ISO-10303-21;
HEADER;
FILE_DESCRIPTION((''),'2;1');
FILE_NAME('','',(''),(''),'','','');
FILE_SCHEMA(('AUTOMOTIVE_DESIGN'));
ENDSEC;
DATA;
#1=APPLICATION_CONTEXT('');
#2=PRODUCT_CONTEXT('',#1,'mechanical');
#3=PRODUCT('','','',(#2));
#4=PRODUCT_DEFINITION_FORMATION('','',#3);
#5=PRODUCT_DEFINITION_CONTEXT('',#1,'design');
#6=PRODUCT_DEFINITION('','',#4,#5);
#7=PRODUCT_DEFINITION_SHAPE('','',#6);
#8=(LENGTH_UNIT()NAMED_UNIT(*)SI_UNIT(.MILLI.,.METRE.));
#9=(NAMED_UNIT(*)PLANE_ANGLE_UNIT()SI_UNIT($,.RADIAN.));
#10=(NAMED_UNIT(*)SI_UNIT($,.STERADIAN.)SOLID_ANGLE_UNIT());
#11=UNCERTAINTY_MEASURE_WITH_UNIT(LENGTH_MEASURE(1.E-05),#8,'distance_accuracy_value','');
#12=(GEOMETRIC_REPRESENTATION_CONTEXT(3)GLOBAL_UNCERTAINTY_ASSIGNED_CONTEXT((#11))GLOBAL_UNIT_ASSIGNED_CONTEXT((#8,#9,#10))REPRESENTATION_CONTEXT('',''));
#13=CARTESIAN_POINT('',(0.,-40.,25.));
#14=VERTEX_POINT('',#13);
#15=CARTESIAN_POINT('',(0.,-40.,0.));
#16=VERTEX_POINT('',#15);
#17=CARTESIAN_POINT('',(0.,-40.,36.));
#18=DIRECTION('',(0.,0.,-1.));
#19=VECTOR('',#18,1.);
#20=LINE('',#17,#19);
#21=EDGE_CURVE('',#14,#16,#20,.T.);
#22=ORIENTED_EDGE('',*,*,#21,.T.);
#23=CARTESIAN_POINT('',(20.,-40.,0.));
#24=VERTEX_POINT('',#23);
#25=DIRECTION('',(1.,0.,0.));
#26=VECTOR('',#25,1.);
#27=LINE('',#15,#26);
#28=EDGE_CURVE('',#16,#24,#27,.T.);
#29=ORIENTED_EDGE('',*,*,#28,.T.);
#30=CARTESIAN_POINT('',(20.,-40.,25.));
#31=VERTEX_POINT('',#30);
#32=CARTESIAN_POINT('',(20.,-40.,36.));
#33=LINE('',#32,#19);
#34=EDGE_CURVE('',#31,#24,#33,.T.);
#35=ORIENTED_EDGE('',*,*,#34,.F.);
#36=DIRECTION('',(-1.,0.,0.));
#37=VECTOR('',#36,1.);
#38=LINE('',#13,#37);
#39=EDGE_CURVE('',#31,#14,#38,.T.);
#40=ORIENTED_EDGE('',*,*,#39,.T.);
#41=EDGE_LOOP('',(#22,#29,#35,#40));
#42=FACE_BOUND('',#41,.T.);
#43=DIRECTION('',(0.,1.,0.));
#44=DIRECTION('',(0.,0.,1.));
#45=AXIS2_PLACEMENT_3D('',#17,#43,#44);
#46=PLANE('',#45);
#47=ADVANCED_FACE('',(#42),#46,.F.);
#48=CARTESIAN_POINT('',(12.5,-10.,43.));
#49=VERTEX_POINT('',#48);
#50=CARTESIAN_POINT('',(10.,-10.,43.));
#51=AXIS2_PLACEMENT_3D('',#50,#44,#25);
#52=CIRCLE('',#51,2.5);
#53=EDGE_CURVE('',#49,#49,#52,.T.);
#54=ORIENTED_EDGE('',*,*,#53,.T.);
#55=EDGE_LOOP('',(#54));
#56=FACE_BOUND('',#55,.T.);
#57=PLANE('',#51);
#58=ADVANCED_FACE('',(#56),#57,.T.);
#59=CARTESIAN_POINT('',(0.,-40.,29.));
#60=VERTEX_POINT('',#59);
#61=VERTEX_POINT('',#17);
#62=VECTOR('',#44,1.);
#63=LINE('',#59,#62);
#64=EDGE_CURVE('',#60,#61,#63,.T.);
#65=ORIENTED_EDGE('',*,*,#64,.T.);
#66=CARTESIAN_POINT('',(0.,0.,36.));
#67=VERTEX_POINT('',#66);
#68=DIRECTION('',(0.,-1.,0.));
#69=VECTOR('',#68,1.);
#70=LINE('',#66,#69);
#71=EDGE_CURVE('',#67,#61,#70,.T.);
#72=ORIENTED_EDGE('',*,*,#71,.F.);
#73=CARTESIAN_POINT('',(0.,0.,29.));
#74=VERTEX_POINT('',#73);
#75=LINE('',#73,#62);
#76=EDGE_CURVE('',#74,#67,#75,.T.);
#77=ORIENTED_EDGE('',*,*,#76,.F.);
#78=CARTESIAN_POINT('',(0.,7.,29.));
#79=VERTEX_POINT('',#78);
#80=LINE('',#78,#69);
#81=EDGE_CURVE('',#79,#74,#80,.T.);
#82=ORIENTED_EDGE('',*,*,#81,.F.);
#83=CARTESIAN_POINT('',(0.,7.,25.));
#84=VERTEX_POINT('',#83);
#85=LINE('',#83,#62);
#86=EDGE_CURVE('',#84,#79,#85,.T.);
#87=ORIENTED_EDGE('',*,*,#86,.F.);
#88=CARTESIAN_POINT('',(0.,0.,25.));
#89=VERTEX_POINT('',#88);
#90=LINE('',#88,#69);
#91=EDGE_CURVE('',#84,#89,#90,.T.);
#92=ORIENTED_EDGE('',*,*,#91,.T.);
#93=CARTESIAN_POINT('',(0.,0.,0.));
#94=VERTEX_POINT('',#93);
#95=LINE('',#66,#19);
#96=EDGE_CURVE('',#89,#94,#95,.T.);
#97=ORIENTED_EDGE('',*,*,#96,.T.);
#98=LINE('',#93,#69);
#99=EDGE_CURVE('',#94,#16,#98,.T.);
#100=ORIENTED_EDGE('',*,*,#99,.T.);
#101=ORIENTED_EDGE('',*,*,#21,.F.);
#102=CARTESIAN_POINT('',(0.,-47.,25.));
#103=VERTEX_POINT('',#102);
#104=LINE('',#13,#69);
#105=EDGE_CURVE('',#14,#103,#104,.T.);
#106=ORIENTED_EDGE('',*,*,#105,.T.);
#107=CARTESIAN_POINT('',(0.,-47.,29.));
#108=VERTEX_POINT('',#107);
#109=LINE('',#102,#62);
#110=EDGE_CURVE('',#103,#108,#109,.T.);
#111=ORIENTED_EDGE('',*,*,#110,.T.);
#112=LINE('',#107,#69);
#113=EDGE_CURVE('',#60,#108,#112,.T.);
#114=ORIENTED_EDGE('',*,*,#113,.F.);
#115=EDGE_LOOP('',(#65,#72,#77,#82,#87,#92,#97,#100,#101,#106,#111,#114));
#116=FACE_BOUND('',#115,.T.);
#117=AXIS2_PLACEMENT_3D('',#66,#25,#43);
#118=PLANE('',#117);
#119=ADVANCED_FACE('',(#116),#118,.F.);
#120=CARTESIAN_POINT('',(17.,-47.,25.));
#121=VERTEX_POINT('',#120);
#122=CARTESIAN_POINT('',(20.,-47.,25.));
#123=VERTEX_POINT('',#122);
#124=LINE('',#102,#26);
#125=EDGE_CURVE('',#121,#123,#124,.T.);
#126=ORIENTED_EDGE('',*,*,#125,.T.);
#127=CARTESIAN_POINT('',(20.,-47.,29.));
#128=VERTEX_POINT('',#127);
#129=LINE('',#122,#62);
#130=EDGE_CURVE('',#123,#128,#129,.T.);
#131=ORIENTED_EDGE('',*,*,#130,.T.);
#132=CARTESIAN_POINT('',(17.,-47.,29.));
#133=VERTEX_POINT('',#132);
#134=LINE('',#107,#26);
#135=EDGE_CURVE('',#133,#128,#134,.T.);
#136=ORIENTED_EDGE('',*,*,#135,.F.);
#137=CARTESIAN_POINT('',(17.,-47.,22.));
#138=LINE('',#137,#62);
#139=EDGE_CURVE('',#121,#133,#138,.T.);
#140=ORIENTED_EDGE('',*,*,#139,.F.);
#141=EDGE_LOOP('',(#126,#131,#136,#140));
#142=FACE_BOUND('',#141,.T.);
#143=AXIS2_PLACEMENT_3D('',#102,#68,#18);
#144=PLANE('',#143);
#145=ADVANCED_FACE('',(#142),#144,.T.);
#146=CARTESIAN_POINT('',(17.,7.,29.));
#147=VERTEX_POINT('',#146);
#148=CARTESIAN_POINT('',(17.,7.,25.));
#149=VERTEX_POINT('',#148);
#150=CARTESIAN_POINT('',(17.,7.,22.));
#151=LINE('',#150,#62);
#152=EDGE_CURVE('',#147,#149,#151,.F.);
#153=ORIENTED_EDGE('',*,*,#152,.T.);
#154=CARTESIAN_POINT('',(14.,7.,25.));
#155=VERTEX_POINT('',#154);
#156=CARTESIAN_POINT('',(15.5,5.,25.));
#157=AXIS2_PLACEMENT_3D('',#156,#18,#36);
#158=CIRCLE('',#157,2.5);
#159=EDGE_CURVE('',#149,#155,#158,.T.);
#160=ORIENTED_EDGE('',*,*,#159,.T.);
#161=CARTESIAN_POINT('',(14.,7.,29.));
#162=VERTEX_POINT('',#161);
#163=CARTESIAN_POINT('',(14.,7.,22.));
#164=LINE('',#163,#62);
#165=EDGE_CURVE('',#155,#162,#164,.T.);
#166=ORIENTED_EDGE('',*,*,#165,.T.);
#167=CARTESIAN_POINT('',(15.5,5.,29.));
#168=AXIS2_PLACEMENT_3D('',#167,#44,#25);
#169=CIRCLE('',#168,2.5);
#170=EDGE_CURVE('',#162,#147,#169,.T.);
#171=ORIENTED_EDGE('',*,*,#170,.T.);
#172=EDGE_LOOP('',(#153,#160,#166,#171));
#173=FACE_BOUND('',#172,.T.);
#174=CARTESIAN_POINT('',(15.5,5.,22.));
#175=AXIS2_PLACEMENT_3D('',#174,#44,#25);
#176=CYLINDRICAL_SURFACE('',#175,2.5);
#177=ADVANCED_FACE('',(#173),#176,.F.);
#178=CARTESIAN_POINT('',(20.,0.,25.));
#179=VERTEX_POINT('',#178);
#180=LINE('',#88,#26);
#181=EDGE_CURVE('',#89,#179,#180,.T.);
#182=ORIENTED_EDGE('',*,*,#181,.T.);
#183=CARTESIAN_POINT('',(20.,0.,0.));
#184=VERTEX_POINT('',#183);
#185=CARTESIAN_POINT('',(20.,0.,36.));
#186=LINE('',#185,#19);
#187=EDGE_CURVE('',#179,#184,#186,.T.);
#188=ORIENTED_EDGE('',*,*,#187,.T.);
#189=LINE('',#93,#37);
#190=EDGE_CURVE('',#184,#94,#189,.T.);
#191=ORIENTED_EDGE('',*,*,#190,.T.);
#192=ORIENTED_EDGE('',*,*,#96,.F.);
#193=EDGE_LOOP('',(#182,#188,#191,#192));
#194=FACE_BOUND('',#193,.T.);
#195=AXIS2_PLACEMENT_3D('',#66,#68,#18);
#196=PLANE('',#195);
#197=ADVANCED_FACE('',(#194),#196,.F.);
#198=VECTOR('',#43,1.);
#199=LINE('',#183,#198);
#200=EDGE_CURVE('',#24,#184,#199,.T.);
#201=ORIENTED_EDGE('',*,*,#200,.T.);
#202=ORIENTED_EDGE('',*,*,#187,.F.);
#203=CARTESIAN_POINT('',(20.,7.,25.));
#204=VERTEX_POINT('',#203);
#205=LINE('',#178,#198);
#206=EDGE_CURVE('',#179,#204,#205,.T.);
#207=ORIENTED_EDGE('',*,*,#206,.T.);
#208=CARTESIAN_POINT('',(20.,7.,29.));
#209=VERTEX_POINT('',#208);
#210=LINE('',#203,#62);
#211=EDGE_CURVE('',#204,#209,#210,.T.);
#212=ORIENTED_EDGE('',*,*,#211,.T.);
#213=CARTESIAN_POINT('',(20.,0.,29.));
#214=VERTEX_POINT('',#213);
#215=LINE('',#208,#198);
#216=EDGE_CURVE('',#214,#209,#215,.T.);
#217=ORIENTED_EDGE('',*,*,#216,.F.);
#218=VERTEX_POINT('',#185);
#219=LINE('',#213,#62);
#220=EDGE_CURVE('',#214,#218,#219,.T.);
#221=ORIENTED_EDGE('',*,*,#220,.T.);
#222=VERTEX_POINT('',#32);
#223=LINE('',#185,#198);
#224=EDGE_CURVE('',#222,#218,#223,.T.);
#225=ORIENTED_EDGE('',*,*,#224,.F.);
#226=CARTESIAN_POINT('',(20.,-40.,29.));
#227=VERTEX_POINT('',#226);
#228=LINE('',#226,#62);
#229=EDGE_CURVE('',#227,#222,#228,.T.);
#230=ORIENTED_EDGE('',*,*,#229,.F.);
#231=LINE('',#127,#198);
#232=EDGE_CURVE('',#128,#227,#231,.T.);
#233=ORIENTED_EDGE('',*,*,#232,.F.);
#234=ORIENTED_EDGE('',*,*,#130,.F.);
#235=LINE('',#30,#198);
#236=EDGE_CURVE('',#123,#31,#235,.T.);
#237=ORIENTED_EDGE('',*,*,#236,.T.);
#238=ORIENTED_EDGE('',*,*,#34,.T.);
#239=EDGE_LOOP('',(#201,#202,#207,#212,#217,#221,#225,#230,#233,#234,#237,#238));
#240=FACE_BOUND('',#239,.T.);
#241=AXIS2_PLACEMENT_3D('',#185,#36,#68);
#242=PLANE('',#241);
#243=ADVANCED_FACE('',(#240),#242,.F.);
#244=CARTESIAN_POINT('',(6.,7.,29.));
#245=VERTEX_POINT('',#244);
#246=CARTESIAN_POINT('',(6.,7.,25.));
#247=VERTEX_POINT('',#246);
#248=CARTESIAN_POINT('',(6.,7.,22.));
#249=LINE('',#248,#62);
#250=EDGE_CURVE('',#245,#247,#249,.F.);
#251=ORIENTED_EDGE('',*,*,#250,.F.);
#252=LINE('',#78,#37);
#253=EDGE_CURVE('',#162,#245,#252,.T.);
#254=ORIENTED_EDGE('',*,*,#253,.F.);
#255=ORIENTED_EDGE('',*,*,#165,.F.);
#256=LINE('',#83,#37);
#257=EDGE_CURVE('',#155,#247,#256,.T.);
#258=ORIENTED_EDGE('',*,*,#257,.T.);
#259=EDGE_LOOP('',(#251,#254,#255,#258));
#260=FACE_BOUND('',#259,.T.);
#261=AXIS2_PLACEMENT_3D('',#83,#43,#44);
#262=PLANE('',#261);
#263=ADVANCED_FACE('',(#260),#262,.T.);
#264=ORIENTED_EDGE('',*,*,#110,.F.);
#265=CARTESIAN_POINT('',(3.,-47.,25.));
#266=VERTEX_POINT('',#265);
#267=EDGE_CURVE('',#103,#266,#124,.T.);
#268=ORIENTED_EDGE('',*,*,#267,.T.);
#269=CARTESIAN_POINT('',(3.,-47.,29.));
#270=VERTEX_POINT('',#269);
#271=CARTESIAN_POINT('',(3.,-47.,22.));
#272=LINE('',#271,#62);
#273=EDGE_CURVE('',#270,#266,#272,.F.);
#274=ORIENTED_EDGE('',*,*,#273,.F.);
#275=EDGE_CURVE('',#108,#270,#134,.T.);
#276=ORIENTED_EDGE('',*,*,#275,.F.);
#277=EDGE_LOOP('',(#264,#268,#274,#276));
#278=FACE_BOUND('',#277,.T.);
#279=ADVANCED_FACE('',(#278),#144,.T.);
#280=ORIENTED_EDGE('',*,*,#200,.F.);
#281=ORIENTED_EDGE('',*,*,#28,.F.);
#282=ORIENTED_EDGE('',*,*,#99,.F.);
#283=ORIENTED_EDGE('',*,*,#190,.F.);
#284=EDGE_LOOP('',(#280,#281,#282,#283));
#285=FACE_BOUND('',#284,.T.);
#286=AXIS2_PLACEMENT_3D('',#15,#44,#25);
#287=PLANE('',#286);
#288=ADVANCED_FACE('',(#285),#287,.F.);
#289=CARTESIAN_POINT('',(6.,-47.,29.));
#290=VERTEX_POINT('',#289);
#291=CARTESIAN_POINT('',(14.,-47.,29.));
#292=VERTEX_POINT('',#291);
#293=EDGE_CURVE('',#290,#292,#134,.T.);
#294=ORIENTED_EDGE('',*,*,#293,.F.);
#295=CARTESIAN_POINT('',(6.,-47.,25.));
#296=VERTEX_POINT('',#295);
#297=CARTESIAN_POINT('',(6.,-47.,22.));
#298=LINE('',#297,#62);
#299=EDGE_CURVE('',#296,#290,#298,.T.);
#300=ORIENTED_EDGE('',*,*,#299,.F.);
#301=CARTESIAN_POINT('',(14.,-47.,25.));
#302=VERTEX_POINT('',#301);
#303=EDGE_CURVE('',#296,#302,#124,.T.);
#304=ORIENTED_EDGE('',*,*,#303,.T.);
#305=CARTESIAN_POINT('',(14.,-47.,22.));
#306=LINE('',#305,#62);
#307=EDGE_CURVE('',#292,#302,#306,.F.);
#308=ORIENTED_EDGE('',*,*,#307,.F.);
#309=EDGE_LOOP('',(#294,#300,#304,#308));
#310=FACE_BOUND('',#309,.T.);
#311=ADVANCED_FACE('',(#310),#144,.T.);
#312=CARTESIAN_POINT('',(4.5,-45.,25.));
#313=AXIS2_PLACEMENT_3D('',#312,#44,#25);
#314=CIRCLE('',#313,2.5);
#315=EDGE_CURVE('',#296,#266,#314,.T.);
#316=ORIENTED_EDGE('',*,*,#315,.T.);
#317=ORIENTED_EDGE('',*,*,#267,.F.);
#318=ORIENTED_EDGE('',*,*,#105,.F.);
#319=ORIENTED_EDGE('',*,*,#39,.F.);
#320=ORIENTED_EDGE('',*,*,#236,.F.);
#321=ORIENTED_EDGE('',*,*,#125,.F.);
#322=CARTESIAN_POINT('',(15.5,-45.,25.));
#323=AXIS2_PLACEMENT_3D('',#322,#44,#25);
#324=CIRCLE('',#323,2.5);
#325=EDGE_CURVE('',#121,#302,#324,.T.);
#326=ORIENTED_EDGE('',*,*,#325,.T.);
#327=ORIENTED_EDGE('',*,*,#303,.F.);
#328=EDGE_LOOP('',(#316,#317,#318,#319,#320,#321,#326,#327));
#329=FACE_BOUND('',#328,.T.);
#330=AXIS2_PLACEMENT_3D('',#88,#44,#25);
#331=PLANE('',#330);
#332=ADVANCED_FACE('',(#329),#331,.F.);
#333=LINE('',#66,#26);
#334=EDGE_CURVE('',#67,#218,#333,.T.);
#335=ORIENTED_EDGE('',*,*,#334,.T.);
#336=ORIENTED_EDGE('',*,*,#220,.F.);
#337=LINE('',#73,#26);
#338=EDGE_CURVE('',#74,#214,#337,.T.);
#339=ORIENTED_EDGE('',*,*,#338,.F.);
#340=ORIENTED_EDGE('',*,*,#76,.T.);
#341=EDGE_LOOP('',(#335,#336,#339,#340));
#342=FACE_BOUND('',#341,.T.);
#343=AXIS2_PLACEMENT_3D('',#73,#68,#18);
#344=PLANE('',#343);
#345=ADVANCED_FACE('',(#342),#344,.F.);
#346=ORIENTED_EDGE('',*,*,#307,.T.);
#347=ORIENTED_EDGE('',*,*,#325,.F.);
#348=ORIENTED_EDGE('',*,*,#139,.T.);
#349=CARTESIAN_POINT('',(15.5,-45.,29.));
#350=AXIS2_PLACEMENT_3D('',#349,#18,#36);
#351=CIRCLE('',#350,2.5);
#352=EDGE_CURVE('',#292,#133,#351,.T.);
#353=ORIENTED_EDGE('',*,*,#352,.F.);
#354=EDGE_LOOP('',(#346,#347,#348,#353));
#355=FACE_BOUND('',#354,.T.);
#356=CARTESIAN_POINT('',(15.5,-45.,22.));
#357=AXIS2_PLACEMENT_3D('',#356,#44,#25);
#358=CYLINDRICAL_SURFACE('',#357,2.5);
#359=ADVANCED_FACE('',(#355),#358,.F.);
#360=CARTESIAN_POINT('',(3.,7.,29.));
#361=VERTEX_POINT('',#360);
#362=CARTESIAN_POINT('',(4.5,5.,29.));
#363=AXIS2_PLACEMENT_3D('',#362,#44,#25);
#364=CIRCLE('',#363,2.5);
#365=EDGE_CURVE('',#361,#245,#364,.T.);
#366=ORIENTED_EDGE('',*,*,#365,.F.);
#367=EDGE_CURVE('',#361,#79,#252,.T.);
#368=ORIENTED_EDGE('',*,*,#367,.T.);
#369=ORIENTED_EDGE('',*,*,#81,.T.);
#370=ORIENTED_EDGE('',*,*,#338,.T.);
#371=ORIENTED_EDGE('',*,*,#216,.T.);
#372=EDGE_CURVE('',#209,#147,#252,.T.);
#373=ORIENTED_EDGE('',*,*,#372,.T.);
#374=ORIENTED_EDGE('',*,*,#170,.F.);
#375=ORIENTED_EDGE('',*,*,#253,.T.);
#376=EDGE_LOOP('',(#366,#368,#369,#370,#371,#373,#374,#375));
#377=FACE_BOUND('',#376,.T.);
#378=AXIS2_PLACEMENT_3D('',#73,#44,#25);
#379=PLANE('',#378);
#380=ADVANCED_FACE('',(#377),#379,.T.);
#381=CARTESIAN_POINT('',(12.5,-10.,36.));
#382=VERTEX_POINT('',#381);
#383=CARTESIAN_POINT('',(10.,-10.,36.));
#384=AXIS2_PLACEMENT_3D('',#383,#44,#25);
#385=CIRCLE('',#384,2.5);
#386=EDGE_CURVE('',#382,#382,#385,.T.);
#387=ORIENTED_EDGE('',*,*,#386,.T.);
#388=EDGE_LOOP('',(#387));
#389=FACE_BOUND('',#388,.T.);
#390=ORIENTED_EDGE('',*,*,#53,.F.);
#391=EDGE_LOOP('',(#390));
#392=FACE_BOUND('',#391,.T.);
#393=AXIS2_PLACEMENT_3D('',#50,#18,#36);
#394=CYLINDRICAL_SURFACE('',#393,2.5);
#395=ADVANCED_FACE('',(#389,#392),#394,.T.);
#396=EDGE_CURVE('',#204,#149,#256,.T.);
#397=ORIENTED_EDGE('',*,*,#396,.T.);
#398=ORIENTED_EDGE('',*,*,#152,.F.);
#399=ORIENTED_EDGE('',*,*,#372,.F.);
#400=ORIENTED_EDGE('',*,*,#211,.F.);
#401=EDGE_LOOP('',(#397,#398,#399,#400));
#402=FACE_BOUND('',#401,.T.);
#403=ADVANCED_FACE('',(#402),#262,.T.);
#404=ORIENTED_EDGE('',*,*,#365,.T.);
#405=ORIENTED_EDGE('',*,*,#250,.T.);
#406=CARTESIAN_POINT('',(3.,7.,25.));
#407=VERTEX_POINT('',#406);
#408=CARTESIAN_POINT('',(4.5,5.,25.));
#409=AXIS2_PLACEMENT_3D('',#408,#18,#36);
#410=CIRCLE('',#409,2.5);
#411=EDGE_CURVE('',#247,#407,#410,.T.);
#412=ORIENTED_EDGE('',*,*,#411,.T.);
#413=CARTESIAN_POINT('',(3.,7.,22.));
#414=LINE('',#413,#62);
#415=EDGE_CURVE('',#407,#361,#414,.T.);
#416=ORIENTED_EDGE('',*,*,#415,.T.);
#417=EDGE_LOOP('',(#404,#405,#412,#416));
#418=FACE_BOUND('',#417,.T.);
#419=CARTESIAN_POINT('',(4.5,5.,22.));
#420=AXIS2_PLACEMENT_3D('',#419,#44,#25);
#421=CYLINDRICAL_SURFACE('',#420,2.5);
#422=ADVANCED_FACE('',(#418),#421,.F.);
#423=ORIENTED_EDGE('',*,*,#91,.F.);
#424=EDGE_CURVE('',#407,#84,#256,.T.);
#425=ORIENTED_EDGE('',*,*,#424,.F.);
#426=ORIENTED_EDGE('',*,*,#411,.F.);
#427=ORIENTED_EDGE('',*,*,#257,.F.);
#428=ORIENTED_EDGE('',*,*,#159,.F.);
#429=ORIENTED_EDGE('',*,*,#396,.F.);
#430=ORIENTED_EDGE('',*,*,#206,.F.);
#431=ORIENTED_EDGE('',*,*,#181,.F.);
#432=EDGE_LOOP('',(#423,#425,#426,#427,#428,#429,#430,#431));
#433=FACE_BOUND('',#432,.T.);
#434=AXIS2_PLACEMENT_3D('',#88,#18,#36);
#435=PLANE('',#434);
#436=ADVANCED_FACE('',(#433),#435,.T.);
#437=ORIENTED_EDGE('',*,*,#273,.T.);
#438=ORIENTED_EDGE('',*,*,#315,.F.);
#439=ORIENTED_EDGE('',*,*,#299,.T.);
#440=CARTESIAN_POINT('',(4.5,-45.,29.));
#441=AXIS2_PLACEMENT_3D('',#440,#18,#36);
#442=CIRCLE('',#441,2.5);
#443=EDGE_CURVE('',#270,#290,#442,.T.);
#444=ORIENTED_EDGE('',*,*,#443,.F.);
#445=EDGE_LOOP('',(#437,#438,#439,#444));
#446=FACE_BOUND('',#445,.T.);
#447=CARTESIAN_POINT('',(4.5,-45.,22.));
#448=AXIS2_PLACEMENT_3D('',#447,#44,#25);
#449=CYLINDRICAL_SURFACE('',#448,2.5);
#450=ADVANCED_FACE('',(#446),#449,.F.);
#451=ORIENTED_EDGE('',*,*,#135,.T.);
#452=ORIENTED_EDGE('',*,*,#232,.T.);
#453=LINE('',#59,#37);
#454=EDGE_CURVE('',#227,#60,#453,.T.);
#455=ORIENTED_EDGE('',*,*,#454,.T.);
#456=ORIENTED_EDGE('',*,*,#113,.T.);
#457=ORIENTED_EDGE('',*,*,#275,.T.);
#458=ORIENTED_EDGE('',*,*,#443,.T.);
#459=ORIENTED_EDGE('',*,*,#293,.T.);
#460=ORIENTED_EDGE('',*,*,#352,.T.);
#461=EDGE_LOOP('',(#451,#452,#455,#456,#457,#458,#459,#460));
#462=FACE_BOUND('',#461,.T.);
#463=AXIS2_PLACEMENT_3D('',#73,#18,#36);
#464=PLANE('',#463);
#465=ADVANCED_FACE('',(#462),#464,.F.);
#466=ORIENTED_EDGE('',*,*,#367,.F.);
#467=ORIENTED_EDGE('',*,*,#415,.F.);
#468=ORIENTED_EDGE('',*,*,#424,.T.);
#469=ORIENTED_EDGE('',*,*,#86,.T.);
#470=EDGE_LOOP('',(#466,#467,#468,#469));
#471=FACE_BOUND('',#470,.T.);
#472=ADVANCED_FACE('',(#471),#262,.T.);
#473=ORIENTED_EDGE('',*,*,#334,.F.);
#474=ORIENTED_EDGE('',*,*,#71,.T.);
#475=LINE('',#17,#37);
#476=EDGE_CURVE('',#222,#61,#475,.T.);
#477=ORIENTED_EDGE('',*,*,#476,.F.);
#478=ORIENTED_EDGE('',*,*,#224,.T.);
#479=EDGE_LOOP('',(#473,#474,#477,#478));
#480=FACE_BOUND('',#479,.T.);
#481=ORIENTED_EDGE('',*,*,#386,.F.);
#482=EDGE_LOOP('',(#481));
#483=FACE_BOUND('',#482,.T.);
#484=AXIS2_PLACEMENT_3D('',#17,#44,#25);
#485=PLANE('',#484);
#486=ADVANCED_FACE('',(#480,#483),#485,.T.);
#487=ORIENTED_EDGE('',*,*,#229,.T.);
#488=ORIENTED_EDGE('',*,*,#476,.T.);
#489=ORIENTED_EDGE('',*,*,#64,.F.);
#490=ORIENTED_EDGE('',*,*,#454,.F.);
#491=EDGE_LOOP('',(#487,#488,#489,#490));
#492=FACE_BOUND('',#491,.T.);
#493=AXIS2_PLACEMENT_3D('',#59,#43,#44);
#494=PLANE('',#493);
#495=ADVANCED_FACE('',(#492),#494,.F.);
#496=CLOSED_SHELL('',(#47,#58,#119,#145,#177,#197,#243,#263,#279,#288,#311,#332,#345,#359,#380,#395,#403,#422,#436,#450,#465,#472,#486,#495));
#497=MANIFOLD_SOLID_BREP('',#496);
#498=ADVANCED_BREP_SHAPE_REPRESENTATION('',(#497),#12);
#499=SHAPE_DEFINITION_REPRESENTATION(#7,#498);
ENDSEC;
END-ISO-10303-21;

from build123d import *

# Parameters (mm, degrees)
ESQUISSE1_W             = 20
ESQUISSE1_H             = 40
BOSS_EXTRU_1_DEPTH      = 36
ESQUISSE2_W             = 20
ESQUISSE2_H             = 7
BOSS_EXTRU_2_DEPTH      = 11
ESQUISSE3_W             = 20
ESQUISSE3_H             = 7
ENL_V_MAT_EXTRU_1_DEPTH = 7
ESQUISSE4_R             = 2.5
BOSS_EXTRU_3_DEPTH      = 7
ESQUISSE5_R             = 2.5
ENL_V_MAT_EXTRU_2_DEPTH = 7
ESQUISSE6_R             = 2.5
ENL_V_MAT_EXTRU_3_DEPTH = 7


with BuildPart() as part:
    # Esquisse1 → Boss.-Extru.1 (new body)
    with BuildSketch(Plane.XY):
        with Locations((10, -20)):
            Rectangle(ESQUISSE1_W, ESQUISSE1_H)
    extrude(amount=BOSS_EXTRU_1_DEPTH)

    # Esquisse2 → Boss.-Extru.2 (add)
    with BuildSketch(Plane.XY.offset(36)):
        with Locations((10, 3.5)):
            Rectangle(ESQUISSE2_W, ESQUISSE2_H)
        with Locations((10, -43.5)):
            Rectangle(ESQUISSE2_W, ESQUISSE2_H)
    extrude(amount=-BOSS_EXTRU_2_DEPTH)

    # Esquisse3 → Enlèv. mat.-Extru.1 (cut)
    with BuildSketch(Plane.XY.offset(36)):
        with Locations((10, -43.5)):
            Rectangle(ESQUISSE3_W, ESQUISSE3_H)
        with Locations((10, 3.5)):
            Rectangle(ESQUISSE3_W, ESQUISSE3_H)
    extrude(amount=-ENL_V_MAT_EXTRU_1_DEPTH, mode=Mode.SUBTRACT)

    # Esquisse4 → Boss.-Extru.3 (add)
    with BuildSketch(Plane.XY.offset(36)):
        with Locations((10, -10)):
            Circle(ESQUISSE4_R)
    extrude(amount=BOSS_EXTRU_3_DEPTH)

    # Esquisse5 → Enlèv. mat.-Extru.2 (cut)
    with BuildSketch(Plane.XY.offset(29)):
        with Locations((4.5, -45)):
            Circle(ESQUISSE5_R)
        with Locations((15.5, -45)):
            Circle(ESQUISSE5_R)
    extrude(amount=-ENL_V_MAT_EXTRU_2_DEPTH, mode=Mode.SUBTRACT)

    # Esquisse6 → Enlèv. mat.-Extru.3 (cut)
    with BuildSketch(Plane.XY.offset(29)):
        with Locations((4.5, 5)):
            Circle(ESQUISSE6_R)
        with Locations((15.5, 5)):
            Circle(ESQUISSE6_R)
    extrude(amount=-ENL_V_MAT_EXTRU_3_DEPTH, mode=Mode.SUBTRACT)


solid = part.part
